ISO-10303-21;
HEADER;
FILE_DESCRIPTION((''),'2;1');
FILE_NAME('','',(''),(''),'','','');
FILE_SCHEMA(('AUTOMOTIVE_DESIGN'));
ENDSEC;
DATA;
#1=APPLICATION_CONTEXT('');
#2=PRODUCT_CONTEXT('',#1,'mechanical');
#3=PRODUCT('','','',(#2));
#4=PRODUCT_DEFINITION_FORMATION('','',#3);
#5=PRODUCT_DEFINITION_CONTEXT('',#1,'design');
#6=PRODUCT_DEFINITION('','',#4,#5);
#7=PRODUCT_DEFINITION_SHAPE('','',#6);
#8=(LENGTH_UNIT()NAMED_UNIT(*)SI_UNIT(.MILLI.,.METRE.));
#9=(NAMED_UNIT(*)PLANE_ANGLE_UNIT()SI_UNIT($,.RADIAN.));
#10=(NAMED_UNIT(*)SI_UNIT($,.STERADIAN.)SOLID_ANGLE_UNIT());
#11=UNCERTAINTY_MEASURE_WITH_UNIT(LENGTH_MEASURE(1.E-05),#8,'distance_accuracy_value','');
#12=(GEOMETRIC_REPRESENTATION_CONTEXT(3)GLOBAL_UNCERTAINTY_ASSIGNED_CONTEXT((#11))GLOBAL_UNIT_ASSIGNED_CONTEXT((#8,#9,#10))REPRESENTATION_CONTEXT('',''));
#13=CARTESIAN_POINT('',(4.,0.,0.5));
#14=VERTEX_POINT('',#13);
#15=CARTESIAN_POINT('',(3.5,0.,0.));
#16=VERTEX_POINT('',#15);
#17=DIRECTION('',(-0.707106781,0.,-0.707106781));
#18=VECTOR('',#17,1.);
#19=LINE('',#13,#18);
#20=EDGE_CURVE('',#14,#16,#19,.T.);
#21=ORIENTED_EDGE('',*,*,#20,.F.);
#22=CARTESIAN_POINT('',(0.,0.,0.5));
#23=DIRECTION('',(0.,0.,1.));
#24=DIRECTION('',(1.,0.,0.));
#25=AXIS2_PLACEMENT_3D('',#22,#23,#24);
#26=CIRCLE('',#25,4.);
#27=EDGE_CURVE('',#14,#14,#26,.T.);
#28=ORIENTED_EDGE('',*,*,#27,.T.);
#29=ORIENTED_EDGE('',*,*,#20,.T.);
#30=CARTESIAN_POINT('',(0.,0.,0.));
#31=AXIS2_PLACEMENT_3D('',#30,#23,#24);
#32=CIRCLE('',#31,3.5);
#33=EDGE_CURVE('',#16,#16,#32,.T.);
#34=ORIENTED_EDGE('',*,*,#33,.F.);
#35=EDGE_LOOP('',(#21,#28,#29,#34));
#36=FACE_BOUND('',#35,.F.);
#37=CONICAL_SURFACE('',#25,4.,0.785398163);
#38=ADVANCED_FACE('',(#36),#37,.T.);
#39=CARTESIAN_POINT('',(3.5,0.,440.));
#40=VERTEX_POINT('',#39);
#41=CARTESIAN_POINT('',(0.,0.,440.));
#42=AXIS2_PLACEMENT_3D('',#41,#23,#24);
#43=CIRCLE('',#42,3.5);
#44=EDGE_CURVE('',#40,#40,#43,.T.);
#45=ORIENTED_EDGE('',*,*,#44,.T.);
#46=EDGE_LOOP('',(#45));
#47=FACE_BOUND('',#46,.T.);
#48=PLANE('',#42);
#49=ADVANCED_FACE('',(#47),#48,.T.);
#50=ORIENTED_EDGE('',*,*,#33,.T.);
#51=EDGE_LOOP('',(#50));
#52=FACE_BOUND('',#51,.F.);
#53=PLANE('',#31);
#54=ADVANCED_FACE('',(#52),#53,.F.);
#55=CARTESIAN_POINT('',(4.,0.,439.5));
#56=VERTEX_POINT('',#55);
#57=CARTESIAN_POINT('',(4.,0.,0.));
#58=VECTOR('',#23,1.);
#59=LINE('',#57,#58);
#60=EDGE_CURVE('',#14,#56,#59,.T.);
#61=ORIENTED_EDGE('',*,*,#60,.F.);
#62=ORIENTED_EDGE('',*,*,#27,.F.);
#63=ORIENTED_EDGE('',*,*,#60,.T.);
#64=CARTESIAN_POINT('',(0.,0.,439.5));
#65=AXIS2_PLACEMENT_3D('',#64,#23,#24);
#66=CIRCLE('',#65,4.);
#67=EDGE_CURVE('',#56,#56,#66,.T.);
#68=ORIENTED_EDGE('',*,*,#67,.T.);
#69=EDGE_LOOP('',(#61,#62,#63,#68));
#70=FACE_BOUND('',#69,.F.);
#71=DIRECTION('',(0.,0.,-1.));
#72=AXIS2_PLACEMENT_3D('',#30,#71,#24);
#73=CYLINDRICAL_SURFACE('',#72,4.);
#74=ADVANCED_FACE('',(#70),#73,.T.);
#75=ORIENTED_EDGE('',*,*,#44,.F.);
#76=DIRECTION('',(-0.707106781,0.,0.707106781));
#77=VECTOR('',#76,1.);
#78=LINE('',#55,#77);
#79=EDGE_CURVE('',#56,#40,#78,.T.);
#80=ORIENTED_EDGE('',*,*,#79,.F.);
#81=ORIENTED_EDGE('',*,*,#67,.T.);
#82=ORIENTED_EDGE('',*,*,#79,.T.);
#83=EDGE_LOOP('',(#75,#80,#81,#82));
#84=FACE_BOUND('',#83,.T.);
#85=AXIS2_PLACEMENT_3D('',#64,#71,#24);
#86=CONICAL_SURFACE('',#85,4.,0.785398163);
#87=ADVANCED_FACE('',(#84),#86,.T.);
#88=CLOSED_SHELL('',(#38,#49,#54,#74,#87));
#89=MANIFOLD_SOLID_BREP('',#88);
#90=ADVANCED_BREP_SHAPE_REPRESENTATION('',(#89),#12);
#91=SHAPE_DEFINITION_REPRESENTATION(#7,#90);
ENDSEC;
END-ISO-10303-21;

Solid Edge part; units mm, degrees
sketch "Sketch1" plane through (0, 0, 0) normal (0, 0, 1) x (1, 0, 0)
  circle A0 centre (0, 0) radius 4
extrude "Protrusion1" add sketch "Sketch1" along normal blind 440
cosmetic_thread "Thread1" size "M8"
chamfer "Chamfer_1" distance 0.5 angle 45 2 edges at (-4, 0, 0) (-4, 0, 440)
properties material "Stainless steel"
